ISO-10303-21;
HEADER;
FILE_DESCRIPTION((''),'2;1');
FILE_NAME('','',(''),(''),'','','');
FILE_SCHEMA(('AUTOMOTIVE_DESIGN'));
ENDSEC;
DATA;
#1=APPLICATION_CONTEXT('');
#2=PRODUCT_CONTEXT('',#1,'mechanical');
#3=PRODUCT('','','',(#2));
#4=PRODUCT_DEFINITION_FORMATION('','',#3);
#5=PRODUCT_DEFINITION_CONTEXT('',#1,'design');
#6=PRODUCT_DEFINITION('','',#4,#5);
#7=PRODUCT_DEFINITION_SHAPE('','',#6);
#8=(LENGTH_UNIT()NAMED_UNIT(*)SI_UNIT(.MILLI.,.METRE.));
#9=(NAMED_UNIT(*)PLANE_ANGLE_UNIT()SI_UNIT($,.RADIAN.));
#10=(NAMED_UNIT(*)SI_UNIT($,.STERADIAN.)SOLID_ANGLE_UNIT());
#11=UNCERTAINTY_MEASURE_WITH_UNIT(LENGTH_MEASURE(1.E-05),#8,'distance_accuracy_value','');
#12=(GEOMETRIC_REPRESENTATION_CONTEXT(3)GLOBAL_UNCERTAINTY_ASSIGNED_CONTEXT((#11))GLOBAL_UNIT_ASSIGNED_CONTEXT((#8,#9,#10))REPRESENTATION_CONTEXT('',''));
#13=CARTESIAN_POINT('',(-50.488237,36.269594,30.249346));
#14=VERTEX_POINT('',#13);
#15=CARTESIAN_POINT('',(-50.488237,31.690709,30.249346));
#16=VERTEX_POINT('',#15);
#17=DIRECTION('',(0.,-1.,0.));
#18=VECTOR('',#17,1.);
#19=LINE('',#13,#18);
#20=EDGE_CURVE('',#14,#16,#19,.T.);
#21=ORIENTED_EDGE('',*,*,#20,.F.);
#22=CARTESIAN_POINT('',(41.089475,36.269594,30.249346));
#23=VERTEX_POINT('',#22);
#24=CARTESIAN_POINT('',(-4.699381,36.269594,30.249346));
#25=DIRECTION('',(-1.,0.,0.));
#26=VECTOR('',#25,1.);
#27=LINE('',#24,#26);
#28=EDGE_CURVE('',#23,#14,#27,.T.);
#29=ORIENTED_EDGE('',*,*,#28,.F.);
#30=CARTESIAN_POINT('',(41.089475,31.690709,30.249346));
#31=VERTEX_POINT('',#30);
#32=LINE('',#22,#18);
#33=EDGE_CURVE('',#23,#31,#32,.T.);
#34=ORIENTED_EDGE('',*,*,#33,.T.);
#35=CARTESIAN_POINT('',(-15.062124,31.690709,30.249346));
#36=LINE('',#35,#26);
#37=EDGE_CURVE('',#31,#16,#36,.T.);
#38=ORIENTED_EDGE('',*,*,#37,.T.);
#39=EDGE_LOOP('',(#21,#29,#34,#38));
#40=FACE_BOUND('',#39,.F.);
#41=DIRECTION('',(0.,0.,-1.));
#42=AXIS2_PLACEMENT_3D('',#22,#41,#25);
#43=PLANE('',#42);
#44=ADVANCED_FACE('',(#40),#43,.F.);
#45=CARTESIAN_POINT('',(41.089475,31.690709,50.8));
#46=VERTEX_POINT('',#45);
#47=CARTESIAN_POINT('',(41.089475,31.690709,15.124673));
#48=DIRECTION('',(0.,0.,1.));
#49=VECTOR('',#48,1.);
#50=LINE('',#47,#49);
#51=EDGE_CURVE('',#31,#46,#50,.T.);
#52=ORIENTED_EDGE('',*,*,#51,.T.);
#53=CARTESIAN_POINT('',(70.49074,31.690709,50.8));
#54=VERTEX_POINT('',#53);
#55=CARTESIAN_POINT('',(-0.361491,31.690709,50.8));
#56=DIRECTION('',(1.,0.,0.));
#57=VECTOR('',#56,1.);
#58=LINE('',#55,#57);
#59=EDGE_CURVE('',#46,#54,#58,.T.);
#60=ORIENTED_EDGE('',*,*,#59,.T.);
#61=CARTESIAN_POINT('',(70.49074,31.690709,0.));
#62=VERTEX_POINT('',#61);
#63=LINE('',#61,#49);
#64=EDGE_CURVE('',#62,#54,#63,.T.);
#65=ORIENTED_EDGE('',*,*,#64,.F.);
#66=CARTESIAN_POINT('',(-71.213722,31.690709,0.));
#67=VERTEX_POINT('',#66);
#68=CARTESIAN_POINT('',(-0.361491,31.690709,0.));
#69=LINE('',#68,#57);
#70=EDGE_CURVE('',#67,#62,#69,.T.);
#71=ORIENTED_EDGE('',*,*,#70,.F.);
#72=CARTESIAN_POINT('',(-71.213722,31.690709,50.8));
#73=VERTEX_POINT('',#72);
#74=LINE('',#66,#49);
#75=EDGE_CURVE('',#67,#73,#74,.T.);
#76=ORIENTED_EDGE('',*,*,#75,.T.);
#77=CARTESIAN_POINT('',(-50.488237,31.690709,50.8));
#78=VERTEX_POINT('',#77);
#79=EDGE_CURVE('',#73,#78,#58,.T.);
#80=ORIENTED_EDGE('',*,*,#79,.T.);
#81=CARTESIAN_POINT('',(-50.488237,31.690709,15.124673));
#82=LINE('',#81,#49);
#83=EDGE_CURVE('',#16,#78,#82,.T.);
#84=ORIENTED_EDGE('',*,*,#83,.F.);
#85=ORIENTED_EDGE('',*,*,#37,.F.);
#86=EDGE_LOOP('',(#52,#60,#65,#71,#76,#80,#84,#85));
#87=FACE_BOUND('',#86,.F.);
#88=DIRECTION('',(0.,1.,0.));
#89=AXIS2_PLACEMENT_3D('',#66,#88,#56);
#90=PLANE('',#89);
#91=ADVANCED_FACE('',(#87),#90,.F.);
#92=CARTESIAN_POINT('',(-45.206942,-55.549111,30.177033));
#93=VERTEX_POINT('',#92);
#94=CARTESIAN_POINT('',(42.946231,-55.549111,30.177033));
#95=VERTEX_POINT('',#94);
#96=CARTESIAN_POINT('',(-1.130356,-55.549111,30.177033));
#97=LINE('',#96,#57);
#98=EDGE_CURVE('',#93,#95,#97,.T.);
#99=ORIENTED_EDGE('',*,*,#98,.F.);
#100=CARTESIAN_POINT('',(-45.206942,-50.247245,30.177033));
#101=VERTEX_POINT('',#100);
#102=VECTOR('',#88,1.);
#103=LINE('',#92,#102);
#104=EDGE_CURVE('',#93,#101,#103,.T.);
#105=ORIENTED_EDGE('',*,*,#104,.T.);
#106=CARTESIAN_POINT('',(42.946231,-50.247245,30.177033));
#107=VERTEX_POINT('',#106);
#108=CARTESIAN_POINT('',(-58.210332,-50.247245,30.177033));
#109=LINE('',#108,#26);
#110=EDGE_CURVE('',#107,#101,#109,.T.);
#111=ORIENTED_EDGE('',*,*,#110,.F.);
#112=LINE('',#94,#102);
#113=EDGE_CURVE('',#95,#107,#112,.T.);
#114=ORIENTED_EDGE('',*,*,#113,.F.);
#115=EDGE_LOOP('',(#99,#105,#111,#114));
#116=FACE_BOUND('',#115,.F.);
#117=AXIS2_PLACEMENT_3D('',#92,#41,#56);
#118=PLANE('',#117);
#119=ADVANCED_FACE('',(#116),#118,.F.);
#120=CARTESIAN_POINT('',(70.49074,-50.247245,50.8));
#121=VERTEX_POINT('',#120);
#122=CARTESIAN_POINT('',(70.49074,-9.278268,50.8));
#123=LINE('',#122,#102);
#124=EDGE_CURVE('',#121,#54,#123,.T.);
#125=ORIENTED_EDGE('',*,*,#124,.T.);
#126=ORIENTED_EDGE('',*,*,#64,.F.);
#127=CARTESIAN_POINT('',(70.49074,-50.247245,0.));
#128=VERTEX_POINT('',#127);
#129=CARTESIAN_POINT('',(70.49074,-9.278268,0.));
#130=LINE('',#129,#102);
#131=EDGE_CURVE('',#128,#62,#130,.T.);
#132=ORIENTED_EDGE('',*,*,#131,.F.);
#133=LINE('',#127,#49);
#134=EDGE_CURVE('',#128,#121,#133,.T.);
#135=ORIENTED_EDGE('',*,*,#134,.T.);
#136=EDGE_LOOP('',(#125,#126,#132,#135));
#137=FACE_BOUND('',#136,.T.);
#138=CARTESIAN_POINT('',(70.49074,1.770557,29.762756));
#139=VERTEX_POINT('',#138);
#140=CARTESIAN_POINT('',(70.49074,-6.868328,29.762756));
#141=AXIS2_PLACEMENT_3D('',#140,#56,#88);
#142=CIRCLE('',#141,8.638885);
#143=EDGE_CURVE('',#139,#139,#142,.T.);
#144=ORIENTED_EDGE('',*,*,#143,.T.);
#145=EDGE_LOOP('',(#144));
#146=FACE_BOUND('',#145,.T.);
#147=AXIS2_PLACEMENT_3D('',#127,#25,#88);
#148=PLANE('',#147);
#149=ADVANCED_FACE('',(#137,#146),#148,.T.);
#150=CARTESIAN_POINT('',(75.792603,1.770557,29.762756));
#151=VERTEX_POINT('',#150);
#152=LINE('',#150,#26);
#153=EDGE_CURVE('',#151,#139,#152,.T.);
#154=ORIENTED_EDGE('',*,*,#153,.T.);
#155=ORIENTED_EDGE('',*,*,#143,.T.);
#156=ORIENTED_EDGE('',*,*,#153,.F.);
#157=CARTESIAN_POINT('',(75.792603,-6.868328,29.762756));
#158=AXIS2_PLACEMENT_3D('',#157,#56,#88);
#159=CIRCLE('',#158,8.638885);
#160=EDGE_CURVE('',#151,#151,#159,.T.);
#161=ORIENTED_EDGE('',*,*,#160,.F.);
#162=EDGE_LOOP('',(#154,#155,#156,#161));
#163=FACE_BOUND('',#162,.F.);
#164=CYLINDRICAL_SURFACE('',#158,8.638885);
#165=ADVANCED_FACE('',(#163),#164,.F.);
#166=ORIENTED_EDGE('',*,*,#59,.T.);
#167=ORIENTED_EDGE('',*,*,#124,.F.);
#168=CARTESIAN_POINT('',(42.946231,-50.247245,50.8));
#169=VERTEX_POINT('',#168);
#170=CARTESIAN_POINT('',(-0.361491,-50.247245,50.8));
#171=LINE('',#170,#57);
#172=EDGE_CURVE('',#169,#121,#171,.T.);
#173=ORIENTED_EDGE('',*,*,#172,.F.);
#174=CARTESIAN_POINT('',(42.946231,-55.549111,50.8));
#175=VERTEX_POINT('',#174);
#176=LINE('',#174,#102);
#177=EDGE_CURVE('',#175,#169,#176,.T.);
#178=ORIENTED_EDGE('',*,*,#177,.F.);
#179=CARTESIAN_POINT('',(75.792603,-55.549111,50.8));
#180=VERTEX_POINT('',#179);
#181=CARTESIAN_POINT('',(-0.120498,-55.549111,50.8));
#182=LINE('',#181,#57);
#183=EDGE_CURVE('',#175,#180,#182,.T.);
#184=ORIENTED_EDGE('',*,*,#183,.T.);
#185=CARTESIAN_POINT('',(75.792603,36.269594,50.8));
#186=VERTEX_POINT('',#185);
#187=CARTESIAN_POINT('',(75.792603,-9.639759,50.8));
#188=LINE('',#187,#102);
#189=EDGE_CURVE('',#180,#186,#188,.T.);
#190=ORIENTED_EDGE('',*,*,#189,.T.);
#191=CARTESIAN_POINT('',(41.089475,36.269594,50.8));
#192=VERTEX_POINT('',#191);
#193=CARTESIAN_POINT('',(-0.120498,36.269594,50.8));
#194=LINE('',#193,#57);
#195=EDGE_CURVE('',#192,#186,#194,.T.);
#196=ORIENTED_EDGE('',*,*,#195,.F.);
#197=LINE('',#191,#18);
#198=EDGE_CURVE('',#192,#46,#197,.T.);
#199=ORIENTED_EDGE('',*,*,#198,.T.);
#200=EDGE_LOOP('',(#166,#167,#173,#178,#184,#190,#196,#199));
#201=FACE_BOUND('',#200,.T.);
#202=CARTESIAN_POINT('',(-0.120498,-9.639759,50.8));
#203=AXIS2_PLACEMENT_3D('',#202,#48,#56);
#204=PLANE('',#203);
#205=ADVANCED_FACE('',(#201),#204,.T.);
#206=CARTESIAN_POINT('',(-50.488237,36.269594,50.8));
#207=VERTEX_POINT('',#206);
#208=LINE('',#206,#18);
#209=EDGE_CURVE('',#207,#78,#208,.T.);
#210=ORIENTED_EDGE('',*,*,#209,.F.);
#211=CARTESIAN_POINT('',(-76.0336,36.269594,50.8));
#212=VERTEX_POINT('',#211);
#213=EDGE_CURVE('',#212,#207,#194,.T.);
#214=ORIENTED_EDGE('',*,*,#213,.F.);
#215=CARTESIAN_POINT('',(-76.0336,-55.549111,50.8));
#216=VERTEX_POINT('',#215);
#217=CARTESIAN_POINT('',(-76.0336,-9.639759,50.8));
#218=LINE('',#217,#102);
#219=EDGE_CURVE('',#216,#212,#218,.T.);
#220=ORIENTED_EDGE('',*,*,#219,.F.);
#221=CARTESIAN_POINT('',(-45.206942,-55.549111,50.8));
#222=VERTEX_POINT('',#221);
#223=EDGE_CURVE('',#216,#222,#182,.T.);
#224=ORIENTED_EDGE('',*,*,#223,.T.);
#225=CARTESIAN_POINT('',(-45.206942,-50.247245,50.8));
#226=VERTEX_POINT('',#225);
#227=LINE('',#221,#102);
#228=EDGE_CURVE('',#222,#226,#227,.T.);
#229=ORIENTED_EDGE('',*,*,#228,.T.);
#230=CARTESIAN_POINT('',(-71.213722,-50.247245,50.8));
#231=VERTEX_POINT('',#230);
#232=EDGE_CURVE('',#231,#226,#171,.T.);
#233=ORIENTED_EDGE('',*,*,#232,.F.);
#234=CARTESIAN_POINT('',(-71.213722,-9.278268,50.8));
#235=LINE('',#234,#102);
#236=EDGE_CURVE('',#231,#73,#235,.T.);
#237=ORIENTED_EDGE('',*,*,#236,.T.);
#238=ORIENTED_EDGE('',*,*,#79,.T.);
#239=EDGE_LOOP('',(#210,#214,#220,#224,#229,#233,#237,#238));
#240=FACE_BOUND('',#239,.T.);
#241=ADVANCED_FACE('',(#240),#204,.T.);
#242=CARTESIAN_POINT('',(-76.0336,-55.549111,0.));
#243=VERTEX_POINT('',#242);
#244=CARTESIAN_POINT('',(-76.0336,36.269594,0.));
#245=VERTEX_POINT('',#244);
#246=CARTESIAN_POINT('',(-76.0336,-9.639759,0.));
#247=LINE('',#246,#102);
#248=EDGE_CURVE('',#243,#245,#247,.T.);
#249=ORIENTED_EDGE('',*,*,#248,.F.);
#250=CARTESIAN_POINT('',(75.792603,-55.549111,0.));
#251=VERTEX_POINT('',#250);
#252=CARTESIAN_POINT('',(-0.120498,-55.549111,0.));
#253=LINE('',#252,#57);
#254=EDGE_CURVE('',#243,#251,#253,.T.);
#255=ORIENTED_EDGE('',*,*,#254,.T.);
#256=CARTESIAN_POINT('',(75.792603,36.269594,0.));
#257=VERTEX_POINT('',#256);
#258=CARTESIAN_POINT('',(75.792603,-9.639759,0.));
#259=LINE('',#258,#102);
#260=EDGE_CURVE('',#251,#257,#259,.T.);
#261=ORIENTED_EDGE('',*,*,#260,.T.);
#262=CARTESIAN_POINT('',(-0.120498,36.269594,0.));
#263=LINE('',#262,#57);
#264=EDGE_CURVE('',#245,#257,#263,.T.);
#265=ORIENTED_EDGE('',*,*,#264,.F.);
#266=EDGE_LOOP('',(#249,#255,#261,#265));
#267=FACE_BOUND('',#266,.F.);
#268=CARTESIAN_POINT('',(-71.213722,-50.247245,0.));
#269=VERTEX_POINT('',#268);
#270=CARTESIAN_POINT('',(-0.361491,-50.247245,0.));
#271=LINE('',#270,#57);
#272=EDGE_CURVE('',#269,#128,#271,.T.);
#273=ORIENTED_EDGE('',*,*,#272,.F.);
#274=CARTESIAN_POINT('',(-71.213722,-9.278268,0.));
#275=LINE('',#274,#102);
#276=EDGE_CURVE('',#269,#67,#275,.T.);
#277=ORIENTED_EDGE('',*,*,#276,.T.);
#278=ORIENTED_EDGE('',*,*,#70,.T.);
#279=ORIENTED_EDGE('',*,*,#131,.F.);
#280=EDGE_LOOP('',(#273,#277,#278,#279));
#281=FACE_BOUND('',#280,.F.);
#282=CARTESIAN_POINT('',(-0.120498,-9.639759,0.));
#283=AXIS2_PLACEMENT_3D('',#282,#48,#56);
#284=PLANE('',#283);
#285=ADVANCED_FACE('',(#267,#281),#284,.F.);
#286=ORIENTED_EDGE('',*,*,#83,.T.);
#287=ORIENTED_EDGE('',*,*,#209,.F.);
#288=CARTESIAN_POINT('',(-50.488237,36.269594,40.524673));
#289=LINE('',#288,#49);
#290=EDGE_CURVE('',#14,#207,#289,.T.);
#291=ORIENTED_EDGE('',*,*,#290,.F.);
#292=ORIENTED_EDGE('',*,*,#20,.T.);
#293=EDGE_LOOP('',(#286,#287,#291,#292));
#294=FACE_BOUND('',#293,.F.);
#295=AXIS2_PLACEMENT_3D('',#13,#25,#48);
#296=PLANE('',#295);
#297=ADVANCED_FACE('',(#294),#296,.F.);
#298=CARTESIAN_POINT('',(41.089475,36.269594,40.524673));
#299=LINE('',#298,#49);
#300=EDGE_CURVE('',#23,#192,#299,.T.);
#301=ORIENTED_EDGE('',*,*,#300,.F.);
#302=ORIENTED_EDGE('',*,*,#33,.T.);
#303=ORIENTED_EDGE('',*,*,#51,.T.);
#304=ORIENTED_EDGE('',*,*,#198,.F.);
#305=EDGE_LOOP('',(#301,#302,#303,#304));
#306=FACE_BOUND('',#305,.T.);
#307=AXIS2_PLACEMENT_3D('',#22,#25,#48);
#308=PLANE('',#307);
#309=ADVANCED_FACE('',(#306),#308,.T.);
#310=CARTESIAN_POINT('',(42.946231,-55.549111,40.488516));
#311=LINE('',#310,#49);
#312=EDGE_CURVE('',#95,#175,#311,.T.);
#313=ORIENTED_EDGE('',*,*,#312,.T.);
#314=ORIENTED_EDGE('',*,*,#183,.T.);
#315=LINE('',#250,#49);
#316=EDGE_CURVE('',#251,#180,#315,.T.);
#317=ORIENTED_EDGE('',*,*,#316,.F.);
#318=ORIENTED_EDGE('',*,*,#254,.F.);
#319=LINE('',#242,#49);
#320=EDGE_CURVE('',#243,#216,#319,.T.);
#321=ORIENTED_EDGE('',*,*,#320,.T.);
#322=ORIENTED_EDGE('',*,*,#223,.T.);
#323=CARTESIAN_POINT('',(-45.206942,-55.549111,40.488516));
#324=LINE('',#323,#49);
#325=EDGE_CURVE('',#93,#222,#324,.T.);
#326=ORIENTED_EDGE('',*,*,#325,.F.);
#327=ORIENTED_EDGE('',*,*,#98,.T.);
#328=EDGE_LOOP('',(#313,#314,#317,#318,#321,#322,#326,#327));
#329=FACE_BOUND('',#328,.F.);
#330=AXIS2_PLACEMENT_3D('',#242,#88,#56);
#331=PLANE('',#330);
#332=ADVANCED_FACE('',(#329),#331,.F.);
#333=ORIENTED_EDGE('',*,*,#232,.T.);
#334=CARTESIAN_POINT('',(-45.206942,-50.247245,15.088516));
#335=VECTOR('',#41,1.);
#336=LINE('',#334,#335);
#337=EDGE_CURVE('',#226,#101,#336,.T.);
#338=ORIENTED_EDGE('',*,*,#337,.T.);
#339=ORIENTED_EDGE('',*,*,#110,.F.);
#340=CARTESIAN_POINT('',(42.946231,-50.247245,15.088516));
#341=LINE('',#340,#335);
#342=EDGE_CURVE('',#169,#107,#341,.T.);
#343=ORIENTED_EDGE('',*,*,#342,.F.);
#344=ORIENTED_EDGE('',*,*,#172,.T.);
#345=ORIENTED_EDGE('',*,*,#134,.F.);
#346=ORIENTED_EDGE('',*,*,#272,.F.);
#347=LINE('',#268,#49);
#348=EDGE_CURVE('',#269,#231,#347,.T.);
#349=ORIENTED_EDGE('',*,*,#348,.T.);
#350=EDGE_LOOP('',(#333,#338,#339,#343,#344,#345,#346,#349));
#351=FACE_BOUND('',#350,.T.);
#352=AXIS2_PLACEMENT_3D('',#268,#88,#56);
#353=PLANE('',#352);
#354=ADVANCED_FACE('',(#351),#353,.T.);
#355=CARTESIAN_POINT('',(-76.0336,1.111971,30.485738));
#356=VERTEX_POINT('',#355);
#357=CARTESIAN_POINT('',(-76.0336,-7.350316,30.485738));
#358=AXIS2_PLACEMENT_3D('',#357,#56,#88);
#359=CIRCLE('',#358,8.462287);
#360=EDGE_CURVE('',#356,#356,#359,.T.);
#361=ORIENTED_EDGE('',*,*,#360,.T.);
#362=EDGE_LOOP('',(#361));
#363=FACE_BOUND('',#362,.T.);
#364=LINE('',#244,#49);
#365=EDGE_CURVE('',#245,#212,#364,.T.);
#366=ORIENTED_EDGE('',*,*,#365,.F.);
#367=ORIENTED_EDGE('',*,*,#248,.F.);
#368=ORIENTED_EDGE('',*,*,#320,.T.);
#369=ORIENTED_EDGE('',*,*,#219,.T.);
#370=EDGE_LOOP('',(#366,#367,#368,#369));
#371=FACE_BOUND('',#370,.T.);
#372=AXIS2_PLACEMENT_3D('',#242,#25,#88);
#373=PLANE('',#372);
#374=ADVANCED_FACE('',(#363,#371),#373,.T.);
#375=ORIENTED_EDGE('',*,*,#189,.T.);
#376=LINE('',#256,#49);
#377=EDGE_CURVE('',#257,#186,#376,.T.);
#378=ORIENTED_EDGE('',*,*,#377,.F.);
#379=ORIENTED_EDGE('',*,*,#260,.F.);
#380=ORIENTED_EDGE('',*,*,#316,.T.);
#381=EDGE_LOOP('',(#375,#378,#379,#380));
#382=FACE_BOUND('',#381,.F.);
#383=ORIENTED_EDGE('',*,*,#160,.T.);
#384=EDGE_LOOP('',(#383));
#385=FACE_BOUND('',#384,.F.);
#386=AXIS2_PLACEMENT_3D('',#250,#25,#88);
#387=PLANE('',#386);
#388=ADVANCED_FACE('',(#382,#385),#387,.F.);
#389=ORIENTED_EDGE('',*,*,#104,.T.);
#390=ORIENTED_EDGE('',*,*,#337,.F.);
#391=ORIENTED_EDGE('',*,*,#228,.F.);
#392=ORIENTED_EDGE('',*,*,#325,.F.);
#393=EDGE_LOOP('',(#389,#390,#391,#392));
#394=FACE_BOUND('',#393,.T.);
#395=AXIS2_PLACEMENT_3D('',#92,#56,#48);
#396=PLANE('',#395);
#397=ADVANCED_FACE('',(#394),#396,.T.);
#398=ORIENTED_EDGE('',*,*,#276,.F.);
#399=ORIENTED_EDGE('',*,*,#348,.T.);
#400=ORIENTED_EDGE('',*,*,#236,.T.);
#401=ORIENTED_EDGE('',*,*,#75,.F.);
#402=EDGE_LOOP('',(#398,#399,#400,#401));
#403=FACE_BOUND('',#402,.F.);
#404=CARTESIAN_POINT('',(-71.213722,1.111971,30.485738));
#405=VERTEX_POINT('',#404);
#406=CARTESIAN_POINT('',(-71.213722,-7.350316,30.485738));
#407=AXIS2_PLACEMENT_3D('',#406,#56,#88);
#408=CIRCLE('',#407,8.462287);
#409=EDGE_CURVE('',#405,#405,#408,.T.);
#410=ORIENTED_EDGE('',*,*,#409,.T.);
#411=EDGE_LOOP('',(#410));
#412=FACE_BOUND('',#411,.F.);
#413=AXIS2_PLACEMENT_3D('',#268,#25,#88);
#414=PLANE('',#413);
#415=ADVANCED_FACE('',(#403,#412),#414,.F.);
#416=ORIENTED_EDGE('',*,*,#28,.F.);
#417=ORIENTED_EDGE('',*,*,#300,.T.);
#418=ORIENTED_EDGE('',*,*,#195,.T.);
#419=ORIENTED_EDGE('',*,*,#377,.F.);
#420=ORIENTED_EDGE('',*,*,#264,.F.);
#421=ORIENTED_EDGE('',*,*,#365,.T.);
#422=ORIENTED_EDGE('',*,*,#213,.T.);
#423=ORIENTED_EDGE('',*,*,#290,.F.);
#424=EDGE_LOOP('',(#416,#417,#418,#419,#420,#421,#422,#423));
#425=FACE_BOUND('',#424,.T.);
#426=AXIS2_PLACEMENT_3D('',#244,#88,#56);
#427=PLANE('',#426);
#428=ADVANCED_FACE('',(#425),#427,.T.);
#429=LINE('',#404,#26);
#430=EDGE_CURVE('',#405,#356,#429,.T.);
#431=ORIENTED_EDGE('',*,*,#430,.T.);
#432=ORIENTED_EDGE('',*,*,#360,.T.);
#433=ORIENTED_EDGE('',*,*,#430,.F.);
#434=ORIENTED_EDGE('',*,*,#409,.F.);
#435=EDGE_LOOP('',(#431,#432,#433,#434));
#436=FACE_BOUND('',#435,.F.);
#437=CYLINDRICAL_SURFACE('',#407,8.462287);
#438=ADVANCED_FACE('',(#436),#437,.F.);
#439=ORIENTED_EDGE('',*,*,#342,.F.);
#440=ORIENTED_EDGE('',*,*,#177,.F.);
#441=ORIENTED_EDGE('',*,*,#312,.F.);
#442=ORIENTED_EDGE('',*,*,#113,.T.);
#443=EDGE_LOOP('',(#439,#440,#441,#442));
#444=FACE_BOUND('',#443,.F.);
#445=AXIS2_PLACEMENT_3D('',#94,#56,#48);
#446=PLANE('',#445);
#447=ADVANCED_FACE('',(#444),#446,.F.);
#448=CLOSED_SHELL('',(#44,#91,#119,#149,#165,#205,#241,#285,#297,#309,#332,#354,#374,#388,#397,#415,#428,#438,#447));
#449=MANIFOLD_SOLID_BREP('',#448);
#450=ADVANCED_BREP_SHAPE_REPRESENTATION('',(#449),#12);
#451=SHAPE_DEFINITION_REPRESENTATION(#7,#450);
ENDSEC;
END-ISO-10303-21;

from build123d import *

# Parameters (mm, degrees)
F0_W     = 151.8262028694
F0_H     = 91.8187052011
F0_W_2   = 141.7044624686
F0_H_2   = 81.9379538298
F1_DEPTH = 50.8
F2_W     = 88.1531722844
F2_H     = 20.622967425
F3_DEPTH = 25.4
F4_R     = 8.6388854617
F5_DEPTH = 25.4
F6_R     = 8.4622870675
F7_DEPTH = 25.4
F8_W     = 91.5777124465
F8_H     = 20.5506539524
F9_DEPTH = 25.4


with BuildPart() as f1:
    # F0 (on Top) → F1 (new body)
    with BuildSketch(Plane.XY):
        with Locations((-0.12049824, -9.6397586167)):
            Rectangle(F0_W, F0_H)
        with Locations((-0.3614909947, -9.278267622)):
            Rectangle(F0_W_2, F0_H_2, mode=Mode.SUBTRACT)
    extrude(amount=F1_DEPTH)

    # F2 (on face) → F3 (cut)
    with BuildSketch(Plane.XZ.offset(55.5491112173)):
        with Locations((-1.130355522, 40.4885162875)):
            Rectangle(F2_W, F2_H)
    extrude(amount=-F3_DEPTH, mode=Mode.SUBTRACT)

    # F4 (on face) → F5 (cut)
    with BuildSketch(Plane.YZ.offset(75.7926031947)):
        with Locations((-6.8683284335, 29.7627560794)):
            Circle(F4_R)
    extrude(amount=-F5_DEPTH, mode=Mode.SUBTRACT)

    # F6 (on face) → F7 (cut)
    with BuildSketch(Plane.YZ.offset(-71.213722229)):
        with Locations((-7.3503162712, 30.4857380688)):
            Circle(F6_R)
    extrude(amount=-F7_DEPTH, mode=Mode.SUBTRACT)

    # F8 (on face) → F9 (cut)
    with BuildSketch(Plane(origin=(0, 36.2695939839, 0), x_dir=(-1, 0, 0), z_dir=(0, 1, 0))):
        with Locations((4.6993810683, 40.5246730238)):
            Rectangle(F8_W, F8_H)
    extrude(amount=-F9_DEPTH, mode=Mode.SUBTRACT)


solid = f1.part
